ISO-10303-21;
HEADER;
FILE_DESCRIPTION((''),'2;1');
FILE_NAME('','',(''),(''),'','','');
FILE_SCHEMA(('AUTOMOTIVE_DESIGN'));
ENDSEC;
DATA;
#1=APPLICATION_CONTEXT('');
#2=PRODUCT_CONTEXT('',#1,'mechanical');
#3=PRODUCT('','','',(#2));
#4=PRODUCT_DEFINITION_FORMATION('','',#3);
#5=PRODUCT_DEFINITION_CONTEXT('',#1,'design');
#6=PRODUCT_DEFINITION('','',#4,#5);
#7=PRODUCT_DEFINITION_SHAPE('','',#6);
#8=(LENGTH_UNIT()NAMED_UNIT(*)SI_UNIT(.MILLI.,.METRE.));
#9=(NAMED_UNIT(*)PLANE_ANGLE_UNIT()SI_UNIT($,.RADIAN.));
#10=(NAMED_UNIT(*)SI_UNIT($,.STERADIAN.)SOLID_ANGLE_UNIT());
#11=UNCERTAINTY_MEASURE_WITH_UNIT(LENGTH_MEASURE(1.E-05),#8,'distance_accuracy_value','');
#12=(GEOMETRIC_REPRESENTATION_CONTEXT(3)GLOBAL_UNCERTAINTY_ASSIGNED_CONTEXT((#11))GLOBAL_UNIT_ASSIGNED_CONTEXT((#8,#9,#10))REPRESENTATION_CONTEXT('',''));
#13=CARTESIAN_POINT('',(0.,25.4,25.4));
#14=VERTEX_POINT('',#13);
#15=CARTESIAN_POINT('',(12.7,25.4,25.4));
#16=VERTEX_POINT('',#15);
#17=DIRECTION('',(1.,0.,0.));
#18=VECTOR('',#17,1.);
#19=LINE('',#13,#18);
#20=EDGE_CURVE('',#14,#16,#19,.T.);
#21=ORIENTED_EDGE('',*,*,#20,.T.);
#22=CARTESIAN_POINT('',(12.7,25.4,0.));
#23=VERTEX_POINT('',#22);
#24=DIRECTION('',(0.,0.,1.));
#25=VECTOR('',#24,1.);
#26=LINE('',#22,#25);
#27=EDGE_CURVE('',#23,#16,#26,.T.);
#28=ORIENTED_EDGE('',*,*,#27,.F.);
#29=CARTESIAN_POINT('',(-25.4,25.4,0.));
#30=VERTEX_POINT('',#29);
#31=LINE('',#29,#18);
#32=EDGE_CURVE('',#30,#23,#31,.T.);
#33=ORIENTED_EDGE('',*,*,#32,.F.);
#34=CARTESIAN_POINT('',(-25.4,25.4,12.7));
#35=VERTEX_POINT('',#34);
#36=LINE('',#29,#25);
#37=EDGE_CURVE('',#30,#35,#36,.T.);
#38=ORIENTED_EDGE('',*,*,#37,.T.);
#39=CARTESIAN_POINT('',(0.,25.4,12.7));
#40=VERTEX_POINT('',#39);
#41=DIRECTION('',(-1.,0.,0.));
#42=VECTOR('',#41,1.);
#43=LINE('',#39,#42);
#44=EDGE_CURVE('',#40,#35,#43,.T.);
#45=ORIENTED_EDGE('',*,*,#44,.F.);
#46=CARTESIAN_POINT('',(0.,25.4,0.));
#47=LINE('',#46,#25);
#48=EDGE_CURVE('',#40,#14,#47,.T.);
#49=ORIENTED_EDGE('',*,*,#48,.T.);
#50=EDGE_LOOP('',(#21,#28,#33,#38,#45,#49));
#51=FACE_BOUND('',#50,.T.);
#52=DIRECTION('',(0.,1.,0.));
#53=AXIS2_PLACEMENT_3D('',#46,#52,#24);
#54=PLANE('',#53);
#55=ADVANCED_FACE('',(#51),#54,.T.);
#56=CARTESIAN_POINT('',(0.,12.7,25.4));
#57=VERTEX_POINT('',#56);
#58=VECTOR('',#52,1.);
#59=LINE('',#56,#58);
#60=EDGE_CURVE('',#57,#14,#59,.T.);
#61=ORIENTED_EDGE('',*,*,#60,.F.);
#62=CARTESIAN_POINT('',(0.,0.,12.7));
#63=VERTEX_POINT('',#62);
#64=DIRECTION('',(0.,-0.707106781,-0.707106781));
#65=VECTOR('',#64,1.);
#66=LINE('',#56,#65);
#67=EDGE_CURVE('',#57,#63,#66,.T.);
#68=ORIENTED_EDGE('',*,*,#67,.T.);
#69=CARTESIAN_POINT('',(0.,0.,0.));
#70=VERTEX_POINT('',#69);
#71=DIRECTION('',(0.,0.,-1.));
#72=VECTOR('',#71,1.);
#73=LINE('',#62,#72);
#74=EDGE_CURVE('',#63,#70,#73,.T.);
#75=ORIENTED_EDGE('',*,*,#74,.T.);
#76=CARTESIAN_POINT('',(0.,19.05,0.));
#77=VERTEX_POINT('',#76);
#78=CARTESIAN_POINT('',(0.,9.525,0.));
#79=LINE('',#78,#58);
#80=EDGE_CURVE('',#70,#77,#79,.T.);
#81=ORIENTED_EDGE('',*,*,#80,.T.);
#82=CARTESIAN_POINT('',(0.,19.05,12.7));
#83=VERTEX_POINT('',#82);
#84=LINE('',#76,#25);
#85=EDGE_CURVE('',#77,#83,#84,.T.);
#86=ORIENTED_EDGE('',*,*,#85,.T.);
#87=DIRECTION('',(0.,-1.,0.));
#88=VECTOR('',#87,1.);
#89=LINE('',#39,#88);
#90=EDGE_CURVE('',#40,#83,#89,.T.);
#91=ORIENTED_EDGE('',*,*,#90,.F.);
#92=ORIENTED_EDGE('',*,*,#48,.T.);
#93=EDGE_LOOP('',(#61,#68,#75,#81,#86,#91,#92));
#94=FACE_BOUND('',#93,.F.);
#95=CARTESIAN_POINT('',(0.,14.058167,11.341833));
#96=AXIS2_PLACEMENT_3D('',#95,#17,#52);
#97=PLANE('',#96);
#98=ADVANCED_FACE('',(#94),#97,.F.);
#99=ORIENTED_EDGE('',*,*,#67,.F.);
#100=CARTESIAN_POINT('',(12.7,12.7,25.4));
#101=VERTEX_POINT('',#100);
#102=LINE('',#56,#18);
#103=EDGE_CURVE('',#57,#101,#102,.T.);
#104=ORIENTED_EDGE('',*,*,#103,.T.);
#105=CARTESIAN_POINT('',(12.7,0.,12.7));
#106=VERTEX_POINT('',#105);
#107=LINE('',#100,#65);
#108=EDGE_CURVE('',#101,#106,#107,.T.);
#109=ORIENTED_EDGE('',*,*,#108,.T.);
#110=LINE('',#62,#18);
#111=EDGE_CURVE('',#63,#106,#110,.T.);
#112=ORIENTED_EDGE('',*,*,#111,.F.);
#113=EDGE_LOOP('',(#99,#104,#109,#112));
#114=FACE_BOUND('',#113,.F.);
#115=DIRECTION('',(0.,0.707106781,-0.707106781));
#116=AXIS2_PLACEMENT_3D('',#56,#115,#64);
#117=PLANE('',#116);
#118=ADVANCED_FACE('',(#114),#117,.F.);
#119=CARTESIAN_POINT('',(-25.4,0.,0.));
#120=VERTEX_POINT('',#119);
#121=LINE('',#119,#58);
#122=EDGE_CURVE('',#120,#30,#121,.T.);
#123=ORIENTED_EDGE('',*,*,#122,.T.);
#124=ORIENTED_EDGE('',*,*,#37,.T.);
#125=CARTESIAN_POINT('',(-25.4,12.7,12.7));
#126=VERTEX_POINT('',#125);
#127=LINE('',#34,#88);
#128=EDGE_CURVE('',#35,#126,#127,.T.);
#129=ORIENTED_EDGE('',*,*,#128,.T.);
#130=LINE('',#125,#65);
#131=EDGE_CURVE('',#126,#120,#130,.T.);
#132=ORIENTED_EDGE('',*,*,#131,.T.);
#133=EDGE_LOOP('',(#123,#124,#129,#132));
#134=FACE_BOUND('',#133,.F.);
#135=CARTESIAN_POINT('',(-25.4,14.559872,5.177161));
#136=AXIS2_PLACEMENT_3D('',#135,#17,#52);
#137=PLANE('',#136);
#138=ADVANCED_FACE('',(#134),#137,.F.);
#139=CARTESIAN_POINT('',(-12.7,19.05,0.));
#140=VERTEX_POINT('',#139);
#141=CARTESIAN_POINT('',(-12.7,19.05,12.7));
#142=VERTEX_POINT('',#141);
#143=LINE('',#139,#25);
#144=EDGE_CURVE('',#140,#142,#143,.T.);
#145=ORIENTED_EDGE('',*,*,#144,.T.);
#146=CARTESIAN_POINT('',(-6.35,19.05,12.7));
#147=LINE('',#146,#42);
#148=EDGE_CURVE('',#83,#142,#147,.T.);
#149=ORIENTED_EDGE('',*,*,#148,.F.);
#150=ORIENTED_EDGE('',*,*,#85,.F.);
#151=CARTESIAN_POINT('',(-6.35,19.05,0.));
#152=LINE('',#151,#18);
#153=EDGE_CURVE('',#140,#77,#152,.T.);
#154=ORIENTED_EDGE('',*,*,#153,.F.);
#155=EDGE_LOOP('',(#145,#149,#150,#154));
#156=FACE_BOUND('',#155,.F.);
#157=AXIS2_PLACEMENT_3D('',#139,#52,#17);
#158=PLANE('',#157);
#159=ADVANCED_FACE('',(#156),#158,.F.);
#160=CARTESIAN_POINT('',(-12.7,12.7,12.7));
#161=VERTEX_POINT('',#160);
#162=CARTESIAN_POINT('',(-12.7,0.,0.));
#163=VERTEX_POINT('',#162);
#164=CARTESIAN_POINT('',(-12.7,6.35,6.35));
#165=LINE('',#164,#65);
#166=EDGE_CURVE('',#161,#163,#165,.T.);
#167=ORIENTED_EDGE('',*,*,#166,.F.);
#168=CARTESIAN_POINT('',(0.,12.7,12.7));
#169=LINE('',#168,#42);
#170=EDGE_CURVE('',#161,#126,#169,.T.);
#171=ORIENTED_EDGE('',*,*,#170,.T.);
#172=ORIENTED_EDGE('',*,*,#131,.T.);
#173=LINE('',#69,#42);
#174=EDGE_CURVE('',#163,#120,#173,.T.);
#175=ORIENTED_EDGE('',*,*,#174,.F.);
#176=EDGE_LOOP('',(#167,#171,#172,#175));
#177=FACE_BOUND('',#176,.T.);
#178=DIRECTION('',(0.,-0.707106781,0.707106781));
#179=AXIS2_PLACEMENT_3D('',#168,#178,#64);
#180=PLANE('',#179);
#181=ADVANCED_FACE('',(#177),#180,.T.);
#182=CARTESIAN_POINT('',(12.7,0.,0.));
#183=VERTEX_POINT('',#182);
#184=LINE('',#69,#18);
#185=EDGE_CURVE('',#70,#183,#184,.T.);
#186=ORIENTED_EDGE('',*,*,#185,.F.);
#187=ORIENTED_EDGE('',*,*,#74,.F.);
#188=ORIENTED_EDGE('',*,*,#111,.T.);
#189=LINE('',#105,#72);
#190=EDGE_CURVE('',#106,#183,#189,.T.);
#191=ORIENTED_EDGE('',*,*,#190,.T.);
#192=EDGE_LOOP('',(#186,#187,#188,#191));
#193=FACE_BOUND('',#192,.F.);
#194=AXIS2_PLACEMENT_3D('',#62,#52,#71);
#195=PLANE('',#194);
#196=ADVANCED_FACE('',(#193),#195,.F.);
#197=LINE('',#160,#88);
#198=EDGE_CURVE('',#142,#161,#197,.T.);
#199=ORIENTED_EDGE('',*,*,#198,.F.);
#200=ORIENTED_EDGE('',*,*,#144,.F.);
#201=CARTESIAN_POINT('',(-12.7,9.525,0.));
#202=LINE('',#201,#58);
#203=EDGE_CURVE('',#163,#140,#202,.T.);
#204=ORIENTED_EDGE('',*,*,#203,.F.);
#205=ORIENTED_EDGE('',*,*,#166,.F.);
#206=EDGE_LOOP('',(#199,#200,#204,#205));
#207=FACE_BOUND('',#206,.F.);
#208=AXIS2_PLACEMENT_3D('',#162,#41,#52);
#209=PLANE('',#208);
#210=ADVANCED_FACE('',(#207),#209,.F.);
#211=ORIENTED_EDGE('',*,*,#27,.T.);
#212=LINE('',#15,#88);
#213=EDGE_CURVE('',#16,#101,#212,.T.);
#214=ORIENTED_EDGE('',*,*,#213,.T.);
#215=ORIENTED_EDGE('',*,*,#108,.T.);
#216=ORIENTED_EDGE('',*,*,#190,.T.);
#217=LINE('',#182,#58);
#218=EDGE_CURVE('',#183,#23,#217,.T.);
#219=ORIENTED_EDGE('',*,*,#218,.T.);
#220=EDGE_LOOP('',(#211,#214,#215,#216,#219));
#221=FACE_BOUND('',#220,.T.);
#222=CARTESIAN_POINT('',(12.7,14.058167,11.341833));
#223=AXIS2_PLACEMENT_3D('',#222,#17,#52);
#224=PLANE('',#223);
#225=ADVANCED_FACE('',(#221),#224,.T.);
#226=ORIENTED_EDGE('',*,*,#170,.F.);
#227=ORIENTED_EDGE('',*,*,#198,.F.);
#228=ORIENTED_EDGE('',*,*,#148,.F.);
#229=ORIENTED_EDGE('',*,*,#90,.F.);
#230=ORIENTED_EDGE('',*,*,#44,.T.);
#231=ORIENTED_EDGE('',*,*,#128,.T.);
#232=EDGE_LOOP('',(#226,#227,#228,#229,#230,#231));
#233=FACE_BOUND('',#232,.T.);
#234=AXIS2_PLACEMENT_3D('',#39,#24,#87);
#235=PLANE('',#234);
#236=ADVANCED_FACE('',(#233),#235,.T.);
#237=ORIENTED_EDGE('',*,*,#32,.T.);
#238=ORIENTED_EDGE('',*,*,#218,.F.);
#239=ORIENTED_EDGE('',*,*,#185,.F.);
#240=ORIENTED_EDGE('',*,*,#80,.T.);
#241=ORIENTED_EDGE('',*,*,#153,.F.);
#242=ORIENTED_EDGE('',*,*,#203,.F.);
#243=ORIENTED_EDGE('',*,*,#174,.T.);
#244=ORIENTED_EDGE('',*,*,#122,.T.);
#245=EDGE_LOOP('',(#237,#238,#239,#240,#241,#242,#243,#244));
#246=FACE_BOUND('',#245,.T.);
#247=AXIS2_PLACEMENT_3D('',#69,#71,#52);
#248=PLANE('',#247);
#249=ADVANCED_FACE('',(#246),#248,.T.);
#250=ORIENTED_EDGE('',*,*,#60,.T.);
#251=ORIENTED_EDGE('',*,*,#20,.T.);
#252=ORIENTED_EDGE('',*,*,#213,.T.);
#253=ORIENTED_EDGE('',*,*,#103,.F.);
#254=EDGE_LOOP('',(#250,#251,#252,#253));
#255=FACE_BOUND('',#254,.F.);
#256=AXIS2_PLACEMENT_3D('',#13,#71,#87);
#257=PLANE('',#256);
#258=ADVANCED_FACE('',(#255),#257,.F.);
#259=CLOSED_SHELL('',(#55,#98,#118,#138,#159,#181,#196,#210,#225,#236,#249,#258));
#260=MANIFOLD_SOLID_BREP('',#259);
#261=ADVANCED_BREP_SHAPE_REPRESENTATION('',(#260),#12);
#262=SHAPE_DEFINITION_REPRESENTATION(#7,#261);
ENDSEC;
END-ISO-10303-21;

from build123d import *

# Parameters (mm, degrees)
F1_DEPTH = 12.7
F3_DEPTH = 25.4
F4_W     = 12.7
F4_H     = 19.05
F5_DEPTH = 25.401


with BuildPart() as f1:
    # F0 (on Right) → F1 (new body)
    with BuildSketch(Plane.YZ):
        Polygon((0, 12.7), (0, 0), (25.4, 0), (25.4, 25.4), (12.7, 25.4), align=None)
    extrude(amount=F1_DEPTH)

    # F2 (on Right) → F3 (join)
    with BuildSketch(Plane.YZ):
        Polygon((12.7, 12.7), (0, 0), (25.4, 0), (25.4, 12.7), align=None)
    extrude(amount=-F3_DEPTH)

    # F4 (on Top) → F5 (cut, through all)
    with BuildSketch(Plane.XY):
        with Locations((-6.35, 9.525)):
            Rectangle(F4_W, F4_H)
    extrude(amount=F5_DEPTH, mode=Mode.SUBTRACT)


solid = f1.part
